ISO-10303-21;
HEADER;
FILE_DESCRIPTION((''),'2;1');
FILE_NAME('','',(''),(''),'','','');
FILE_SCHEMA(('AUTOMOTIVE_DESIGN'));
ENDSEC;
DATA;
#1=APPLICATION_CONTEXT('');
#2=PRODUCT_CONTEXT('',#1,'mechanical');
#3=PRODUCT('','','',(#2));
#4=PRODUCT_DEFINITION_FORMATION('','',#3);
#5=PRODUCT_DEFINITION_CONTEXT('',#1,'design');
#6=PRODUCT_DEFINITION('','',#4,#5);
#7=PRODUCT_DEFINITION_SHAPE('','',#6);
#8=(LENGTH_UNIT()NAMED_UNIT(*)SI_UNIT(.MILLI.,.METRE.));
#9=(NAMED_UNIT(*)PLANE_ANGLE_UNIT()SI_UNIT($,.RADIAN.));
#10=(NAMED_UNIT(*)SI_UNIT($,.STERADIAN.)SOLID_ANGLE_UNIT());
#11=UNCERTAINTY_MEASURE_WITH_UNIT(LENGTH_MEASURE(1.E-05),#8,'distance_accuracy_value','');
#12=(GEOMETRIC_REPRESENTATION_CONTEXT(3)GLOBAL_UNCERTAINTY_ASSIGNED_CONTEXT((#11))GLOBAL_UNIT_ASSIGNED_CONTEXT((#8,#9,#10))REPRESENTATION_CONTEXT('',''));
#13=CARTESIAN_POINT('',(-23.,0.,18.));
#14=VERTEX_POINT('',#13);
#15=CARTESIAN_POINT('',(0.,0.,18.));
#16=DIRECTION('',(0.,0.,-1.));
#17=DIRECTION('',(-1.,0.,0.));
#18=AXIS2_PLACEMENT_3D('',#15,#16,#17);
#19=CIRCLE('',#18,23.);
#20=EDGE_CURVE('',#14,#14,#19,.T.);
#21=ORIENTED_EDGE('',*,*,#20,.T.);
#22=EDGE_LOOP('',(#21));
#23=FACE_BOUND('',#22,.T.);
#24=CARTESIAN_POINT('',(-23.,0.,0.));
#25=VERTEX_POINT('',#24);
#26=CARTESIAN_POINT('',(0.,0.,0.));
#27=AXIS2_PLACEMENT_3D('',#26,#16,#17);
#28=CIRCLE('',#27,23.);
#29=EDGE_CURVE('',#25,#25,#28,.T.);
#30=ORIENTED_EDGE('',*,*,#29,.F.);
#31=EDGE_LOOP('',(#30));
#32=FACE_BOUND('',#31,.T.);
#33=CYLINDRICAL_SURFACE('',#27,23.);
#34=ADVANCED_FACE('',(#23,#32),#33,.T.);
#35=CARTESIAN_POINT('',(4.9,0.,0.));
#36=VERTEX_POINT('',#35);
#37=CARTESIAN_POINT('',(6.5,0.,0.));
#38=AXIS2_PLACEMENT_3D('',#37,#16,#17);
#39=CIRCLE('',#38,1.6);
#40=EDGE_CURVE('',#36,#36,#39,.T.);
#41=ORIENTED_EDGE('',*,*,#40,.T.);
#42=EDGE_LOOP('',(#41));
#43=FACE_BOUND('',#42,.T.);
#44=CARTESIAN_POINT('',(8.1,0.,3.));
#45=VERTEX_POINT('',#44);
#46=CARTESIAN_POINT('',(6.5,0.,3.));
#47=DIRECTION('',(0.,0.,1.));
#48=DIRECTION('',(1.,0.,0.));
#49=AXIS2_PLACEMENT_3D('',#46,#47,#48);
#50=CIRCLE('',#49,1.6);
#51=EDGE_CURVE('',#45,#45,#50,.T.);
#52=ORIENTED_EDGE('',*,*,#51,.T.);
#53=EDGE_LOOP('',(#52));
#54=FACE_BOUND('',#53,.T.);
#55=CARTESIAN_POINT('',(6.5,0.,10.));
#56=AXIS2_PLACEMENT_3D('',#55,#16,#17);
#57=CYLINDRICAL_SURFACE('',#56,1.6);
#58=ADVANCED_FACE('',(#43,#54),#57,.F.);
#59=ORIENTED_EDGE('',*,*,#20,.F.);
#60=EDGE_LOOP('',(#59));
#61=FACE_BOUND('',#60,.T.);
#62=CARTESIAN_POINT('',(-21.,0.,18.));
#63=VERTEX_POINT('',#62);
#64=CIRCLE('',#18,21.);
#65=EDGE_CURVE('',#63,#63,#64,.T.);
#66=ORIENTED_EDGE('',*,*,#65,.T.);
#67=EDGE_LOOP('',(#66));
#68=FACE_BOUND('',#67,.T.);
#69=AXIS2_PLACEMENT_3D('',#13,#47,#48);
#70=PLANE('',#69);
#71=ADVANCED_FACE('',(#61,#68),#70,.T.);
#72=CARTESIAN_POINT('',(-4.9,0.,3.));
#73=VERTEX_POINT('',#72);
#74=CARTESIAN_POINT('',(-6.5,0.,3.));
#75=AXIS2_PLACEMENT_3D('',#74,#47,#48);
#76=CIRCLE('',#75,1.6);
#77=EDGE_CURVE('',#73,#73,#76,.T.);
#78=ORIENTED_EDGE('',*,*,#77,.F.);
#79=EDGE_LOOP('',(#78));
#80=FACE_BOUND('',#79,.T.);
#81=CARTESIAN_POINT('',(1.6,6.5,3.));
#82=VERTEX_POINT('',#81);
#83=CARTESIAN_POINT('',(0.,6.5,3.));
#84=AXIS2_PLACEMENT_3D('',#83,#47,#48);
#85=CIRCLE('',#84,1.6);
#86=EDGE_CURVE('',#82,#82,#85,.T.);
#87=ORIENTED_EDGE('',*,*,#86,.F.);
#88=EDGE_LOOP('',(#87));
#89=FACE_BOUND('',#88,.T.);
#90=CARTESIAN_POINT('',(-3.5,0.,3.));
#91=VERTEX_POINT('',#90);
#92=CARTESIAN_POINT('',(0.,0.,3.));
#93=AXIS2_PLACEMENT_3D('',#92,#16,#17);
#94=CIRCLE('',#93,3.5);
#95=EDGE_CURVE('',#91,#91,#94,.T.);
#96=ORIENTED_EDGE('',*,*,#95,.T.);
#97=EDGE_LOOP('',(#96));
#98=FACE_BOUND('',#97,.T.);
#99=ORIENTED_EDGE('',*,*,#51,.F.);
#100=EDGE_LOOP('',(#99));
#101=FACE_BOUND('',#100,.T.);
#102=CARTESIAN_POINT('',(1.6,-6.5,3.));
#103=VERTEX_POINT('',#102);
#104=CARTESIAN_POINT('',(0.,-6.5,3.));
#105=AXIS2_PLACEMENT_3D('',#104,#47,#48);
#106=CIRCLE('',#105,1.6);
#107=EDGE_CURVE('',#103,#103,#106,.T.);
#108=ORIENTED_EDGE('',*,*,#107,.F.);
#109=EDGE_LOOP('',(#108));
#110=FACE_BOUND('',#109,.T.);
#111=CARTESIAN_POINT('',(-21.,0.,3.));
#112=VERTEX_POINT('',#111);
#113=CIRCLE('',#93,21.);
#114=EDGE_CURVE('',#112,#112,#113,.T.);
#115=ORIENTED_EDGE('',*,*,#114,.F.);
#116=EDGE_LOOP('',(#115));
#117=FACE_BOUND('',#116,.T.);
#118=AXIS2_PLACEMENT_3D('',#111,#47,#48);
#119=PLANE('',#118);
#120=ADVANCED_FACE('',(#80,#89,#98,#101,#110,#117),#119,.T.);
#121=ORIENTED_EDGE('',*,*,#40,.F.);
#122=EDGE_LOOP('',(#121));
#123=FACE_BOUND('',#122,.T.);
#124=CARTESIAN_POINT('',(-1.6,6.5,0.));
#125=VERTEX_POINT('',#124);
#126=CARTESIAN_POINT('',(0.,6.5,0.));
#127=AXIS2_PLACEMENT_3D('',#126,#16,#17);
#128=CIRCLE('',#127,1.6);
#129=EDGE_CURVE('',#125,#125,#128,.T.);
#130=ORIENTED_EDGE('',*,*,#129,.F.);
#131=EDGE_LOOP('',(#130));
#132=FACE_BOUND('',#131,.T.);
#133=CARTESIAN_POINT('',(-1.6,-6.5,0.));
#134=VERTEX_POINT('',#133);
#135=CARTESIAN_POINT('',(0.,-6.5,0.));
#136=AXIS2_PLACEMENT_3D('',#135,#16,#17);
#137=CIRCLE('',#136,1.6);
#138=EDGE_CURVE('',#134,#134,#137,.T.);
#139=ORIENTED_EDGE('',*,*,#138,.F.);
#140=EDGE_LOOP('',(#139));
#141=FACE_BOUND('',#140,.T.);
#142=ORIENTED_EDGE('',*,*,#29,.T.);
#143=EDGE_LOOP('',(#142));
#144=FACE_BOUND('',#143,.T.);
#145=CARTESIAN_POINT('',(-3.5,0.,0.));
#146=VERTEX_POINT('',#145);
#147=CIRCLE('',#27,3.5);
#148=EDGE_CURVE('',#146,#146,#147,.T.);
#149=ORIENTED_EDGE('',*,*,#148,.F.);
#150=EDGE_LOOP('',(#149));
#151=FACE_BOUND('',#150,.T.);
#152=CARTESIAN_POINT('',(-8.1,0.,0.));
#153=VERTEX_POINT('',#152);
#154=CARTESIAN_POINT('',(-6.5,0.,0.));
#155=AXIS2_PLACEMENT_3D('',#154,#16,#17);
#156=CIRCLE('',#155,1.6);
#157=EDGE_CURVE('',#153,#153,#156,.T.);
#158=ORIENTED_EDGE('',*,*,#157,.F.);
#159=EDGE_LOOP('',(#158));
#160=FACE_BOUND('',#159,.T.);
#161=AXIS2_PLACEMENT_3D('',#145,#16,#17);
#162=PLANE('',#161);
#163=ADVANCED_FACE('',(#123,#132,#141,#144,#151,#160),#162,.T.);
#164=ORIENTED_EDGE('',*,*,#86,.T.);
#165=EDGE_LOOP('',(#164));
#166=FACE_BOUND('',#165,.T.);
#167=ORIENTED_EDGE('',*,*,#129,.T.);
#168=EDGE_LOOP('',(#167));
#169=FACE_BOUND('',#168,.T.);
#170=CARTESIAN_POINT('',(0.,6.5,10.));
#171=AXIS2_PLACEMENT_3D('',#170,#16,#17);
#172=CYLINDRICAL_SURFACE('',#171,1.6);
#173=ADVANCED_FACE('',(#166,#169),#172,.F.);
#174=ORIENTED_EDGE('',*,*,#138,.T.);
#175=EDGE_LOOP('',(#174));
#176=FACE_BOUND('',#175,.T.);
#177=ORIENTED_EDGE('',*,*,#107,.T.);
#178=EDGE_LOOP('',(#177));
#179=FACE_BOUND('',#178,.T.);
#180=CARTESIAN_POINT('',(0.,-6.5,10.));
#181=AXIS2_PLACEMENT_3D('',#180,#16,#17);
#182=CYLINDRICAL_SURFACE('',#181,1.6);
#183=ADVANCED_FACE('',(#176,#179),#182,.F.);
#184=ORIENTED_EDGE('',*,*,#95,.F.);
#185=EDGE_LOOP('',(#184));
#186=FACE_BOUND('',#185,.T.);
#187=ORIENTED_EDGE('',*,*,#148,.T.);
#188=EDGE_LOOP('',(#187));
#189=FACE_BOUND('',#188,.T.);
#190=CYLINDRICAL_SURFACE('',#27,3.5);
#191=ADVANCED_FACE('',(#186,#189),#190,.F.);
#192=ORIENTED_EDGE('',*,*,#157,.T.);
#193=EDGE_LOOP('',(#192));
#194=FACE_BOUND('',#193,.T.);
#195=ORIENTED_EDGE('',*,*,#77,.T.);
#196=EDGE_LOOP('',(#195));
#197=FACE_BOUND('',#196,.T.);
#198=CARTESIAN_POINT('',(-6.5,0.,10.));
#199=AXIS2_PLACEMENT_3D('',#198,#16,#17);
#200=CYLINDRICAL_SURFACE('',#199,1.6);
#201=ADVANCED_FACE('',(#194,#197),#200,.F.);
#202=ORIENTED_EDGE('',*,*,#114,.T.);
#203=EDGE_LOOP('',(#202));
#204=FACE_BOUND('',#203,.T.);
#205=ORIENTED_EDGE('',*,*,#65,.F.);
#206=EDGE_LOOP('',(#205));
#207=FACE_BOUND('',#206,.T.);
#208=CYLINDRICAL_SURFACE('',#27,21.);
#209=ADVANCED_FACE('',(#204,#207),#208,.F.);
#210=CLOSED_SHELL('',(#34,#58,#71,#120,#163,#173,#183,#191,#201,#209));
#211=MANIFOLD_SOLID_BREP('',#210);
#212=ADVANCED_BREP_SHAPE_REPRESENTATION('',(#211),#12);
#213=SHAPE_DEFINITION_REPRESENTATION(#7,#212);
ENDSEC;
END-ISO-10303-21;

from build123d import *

# Parameters (mm, degrees)
SKETCH_2_R          = 1.6
CUT_EXTRUDE_1_DEPTH = 10


with BuildPart() as part:
    # 草图1 → 旋转1 (revolve)
    with BuildSketch(Plane(origin=(0, 0, 0), x_dir=(1, 0, 0), z_dir=(0, 1, 0))):
        Polygon((-3.5, 0), (-23, 0), (-23, -18), (-21, -18), (-21, -3), (-3.5, -3), align=None)
    revolve(axis=Axis((0, 0, 0), (0, 0, 1)))

    # 草图2 → 切除-拉伸1 (cut)
    with BuildSketch(Plane(origin=(0, 0, 0), x_dir=(-1, 0, 0), z_dir=(0, 0, -1))):
        with Locations((6.5, 0)):
            Circle(SKETCH_2_R)
        with Locations((0, -6.5)):
            Circle(SKETCH_2_R)
        with Locations((-6.5, 0)):
            Circle(SKETCH_2_R)
        with Locations((0, 6.5)):
            Circle(SKETCH_2_R)
    extrude(amount=-CUT_EXTRUDE_1_DEPTH, mode=Mode.SUBTRACT)


solid = part.part
